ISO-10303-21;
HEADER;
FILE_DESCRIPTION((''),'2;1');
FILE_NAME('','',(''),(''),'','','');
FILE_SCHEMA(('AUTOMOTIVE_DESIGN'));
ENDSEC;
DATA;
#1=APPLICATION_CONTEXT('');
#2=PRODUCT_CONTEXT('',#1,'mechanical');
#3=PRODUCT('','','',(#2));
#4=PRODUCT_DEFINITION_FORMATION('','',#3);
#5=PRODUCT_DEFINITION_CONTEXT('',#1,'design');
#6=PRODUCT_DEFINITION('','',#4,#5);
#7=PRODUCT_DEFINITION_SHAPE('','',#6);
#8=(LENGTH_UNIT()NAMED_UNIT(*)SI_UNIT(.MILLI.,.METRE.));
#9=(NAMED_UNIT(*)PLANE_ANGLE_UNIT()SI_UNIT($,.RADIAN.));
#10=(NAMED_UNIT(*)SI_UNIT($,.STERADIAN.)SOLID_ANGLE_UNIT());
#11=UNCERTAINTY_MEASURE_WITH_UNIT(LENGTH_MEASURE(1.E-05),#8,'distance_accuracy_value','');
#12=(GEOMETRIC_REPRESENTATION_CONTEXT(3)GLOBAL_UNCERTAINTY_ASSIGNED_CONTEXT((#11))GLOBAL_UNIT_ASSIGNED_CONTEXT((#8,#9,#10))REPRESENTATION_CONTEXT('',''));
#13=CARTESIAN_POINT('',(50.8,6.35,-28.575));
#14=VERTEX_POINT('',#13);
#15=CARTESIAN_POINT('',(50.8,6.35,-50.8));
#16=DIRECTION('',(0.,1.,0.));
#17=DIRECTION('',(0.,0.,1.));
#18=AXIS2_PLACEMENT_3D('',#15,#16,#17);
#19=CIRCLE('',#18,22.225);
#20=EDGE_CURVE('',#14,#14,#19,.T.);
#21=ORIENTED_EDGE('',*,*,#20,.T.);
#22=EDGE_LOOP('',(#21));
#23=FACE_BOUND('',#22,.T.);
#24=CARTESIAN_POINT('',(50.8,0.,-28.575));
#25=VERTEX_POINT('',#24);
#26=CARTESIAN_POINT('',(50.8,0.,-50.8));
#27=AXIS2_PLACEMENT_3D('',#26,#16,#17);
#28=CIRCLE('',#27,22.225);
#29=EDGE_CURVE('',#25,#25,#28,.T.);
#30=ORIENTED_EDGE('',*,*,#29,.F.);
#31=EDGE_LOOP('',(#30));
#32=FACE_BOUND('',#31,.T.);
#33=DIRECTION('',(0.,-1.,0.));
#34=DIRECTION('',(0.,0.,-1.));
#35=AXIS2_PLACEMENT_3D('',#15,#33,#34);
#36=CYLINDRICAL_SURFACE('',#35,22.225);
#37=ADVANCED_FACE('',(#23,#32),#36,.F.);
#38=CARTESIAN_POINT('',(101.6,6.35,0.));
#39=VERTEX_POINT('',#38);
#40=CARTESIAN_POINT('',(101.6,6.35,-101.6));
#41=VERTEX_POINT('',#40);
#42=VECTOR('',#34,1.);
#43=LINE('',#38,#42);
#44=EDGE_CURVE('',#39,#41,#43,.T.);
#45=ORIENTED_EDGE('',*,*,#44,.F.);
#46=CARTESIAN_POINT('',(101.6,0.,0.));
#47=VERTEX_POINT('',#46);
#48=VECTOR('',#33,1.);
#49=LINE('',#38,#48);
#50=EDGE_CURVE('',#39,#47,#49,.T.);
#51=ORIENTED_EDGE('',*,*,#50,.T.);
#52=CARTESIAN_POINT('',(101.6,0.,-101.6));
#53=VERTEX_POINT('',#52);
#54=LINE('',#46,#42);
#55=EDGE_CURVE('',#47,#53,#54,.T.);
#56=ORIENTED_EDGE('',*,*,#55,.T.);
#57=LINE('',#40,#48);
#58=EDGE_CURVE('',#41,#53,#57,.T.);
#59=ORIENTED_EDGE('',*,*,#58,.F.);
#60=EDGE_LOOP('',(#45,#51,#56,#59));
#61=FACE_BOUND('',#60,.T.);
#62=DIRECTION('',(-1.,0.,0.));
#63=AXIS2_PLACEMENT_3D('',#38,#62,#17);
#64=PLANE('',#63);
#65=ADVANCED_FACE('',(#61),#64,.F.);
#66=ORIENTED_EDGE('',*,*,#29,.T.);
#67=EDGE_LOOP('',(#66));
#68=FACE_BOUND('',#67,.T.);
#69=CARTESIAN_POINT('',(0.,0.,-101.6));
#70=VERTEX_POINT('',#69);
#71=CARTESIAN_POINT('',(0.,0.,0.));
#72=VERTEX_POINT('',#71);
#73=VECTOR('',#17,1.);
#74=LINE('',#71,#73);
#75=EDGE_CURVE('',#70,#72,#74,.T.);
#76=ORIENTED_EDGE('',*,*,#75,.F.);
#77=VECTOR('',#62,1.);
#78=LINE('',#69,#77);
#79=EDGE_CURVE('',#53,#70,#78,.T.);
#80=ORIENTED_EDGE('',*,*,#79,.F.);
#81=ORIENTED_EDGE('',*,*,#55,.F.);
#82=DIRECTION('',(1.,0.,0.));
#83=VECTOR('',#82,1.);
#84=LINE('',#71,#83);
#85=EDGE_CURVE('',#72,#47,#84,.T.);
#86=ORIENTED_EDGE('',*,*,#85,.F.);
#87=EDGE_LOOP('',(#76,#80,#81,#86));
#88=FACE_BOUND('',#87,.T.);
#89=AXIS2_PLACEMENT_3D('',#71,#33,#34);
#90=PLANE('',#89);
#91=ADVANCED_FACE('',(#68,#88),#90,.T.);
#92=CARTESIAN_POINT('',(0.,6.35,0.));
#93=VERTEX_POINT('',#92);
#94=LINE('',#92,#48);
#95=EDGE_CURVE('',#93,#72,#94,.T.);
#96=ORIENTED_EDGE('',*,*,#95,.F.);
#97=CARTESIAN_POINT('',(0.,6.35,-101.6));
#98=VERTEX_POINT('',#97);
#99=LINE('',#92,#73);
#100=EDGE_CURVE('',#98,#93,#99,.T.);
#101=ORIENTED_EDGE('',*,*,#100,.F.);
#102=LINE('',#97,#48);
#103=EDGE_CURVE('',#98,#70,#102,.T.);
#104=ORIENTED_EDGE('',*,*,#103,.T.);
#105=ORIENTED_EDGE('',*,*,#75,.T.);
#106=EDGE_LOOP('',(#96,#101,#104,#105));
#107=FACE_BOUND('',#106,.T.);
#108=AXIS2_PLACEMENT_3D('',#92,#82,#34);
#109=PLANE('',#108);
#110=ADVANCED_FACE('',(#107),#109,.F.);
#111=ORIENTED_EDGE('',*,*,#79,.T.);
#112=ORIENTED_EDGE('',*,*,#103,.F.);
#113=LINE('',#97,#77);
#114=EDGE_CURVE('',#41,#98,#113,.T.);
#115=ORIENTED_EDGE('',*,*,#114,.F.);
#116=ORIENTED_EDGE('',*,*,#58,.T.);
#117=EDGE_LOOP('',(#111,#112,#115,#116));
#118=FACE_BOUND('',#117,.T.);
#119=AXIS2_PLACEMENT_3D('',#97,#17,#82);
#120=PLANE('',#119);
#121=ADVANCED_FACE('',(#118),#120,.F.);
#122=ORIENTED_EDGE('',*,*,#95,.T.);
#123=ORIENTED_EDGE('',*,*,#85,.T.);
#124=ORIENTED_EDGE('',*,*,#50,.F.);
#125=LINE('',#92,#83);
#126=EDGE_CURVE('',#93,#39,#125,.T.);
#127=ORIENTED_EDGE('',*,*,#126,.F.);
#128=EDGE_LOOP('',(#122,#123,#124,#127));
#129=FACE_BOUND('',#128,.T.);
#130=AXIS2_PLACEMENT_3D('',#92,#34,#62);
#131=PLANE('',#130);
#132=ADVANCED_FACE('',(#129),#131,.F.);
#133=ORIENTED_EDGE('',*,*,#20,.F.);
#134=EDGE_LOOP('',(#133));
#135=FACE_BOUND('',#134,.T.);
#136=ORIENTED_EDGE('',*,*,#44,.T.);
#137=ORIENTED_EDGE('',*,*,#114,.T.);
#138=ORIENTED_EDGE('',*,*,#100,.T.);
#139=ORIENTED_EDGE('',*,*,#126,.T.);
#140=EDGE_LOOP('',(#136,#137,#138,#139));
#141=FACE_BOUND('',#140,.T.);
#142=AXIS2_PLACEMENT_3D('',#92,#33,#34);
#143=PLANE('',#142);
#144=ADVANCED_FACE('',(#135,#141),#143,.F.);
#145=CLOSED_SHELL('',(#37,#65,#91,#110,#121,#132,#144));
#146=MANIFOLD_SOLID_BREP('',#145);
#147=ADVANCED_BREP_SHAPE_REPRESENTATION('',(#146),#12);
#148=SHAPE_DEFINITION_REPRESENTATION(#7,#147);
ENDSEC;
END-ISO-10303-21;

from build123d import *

# Parameters (mm, degrees)
SKETCH1_W           = 101.6
SKETCH1_H           = 101.6
SKETCH1_R           = 22.225
BOSS_EXTRUDE1_DEPTH = 6.35


with BuildPart() as part:
    # Sketch1 → Boss-Extrude1 (new body)
    with BuildSketch(Plane(origin=(0, 0, 0), x_dir=(1, 0, 0), z_dir=(0, 1, 0))):
        with Locations((50.8, 50.8)):
            Rectangle(SKETCH1_W, SKETCH1_H)
        with Locations(Location((50.8, 50.8, 0), (0, 0, 270))):
            Circle(SKETCH1_R, mode=Mode.SUBTRACT)
    extrude(amount=BOSS_EXTRUDE1_DEPTH)


solid = part.part
